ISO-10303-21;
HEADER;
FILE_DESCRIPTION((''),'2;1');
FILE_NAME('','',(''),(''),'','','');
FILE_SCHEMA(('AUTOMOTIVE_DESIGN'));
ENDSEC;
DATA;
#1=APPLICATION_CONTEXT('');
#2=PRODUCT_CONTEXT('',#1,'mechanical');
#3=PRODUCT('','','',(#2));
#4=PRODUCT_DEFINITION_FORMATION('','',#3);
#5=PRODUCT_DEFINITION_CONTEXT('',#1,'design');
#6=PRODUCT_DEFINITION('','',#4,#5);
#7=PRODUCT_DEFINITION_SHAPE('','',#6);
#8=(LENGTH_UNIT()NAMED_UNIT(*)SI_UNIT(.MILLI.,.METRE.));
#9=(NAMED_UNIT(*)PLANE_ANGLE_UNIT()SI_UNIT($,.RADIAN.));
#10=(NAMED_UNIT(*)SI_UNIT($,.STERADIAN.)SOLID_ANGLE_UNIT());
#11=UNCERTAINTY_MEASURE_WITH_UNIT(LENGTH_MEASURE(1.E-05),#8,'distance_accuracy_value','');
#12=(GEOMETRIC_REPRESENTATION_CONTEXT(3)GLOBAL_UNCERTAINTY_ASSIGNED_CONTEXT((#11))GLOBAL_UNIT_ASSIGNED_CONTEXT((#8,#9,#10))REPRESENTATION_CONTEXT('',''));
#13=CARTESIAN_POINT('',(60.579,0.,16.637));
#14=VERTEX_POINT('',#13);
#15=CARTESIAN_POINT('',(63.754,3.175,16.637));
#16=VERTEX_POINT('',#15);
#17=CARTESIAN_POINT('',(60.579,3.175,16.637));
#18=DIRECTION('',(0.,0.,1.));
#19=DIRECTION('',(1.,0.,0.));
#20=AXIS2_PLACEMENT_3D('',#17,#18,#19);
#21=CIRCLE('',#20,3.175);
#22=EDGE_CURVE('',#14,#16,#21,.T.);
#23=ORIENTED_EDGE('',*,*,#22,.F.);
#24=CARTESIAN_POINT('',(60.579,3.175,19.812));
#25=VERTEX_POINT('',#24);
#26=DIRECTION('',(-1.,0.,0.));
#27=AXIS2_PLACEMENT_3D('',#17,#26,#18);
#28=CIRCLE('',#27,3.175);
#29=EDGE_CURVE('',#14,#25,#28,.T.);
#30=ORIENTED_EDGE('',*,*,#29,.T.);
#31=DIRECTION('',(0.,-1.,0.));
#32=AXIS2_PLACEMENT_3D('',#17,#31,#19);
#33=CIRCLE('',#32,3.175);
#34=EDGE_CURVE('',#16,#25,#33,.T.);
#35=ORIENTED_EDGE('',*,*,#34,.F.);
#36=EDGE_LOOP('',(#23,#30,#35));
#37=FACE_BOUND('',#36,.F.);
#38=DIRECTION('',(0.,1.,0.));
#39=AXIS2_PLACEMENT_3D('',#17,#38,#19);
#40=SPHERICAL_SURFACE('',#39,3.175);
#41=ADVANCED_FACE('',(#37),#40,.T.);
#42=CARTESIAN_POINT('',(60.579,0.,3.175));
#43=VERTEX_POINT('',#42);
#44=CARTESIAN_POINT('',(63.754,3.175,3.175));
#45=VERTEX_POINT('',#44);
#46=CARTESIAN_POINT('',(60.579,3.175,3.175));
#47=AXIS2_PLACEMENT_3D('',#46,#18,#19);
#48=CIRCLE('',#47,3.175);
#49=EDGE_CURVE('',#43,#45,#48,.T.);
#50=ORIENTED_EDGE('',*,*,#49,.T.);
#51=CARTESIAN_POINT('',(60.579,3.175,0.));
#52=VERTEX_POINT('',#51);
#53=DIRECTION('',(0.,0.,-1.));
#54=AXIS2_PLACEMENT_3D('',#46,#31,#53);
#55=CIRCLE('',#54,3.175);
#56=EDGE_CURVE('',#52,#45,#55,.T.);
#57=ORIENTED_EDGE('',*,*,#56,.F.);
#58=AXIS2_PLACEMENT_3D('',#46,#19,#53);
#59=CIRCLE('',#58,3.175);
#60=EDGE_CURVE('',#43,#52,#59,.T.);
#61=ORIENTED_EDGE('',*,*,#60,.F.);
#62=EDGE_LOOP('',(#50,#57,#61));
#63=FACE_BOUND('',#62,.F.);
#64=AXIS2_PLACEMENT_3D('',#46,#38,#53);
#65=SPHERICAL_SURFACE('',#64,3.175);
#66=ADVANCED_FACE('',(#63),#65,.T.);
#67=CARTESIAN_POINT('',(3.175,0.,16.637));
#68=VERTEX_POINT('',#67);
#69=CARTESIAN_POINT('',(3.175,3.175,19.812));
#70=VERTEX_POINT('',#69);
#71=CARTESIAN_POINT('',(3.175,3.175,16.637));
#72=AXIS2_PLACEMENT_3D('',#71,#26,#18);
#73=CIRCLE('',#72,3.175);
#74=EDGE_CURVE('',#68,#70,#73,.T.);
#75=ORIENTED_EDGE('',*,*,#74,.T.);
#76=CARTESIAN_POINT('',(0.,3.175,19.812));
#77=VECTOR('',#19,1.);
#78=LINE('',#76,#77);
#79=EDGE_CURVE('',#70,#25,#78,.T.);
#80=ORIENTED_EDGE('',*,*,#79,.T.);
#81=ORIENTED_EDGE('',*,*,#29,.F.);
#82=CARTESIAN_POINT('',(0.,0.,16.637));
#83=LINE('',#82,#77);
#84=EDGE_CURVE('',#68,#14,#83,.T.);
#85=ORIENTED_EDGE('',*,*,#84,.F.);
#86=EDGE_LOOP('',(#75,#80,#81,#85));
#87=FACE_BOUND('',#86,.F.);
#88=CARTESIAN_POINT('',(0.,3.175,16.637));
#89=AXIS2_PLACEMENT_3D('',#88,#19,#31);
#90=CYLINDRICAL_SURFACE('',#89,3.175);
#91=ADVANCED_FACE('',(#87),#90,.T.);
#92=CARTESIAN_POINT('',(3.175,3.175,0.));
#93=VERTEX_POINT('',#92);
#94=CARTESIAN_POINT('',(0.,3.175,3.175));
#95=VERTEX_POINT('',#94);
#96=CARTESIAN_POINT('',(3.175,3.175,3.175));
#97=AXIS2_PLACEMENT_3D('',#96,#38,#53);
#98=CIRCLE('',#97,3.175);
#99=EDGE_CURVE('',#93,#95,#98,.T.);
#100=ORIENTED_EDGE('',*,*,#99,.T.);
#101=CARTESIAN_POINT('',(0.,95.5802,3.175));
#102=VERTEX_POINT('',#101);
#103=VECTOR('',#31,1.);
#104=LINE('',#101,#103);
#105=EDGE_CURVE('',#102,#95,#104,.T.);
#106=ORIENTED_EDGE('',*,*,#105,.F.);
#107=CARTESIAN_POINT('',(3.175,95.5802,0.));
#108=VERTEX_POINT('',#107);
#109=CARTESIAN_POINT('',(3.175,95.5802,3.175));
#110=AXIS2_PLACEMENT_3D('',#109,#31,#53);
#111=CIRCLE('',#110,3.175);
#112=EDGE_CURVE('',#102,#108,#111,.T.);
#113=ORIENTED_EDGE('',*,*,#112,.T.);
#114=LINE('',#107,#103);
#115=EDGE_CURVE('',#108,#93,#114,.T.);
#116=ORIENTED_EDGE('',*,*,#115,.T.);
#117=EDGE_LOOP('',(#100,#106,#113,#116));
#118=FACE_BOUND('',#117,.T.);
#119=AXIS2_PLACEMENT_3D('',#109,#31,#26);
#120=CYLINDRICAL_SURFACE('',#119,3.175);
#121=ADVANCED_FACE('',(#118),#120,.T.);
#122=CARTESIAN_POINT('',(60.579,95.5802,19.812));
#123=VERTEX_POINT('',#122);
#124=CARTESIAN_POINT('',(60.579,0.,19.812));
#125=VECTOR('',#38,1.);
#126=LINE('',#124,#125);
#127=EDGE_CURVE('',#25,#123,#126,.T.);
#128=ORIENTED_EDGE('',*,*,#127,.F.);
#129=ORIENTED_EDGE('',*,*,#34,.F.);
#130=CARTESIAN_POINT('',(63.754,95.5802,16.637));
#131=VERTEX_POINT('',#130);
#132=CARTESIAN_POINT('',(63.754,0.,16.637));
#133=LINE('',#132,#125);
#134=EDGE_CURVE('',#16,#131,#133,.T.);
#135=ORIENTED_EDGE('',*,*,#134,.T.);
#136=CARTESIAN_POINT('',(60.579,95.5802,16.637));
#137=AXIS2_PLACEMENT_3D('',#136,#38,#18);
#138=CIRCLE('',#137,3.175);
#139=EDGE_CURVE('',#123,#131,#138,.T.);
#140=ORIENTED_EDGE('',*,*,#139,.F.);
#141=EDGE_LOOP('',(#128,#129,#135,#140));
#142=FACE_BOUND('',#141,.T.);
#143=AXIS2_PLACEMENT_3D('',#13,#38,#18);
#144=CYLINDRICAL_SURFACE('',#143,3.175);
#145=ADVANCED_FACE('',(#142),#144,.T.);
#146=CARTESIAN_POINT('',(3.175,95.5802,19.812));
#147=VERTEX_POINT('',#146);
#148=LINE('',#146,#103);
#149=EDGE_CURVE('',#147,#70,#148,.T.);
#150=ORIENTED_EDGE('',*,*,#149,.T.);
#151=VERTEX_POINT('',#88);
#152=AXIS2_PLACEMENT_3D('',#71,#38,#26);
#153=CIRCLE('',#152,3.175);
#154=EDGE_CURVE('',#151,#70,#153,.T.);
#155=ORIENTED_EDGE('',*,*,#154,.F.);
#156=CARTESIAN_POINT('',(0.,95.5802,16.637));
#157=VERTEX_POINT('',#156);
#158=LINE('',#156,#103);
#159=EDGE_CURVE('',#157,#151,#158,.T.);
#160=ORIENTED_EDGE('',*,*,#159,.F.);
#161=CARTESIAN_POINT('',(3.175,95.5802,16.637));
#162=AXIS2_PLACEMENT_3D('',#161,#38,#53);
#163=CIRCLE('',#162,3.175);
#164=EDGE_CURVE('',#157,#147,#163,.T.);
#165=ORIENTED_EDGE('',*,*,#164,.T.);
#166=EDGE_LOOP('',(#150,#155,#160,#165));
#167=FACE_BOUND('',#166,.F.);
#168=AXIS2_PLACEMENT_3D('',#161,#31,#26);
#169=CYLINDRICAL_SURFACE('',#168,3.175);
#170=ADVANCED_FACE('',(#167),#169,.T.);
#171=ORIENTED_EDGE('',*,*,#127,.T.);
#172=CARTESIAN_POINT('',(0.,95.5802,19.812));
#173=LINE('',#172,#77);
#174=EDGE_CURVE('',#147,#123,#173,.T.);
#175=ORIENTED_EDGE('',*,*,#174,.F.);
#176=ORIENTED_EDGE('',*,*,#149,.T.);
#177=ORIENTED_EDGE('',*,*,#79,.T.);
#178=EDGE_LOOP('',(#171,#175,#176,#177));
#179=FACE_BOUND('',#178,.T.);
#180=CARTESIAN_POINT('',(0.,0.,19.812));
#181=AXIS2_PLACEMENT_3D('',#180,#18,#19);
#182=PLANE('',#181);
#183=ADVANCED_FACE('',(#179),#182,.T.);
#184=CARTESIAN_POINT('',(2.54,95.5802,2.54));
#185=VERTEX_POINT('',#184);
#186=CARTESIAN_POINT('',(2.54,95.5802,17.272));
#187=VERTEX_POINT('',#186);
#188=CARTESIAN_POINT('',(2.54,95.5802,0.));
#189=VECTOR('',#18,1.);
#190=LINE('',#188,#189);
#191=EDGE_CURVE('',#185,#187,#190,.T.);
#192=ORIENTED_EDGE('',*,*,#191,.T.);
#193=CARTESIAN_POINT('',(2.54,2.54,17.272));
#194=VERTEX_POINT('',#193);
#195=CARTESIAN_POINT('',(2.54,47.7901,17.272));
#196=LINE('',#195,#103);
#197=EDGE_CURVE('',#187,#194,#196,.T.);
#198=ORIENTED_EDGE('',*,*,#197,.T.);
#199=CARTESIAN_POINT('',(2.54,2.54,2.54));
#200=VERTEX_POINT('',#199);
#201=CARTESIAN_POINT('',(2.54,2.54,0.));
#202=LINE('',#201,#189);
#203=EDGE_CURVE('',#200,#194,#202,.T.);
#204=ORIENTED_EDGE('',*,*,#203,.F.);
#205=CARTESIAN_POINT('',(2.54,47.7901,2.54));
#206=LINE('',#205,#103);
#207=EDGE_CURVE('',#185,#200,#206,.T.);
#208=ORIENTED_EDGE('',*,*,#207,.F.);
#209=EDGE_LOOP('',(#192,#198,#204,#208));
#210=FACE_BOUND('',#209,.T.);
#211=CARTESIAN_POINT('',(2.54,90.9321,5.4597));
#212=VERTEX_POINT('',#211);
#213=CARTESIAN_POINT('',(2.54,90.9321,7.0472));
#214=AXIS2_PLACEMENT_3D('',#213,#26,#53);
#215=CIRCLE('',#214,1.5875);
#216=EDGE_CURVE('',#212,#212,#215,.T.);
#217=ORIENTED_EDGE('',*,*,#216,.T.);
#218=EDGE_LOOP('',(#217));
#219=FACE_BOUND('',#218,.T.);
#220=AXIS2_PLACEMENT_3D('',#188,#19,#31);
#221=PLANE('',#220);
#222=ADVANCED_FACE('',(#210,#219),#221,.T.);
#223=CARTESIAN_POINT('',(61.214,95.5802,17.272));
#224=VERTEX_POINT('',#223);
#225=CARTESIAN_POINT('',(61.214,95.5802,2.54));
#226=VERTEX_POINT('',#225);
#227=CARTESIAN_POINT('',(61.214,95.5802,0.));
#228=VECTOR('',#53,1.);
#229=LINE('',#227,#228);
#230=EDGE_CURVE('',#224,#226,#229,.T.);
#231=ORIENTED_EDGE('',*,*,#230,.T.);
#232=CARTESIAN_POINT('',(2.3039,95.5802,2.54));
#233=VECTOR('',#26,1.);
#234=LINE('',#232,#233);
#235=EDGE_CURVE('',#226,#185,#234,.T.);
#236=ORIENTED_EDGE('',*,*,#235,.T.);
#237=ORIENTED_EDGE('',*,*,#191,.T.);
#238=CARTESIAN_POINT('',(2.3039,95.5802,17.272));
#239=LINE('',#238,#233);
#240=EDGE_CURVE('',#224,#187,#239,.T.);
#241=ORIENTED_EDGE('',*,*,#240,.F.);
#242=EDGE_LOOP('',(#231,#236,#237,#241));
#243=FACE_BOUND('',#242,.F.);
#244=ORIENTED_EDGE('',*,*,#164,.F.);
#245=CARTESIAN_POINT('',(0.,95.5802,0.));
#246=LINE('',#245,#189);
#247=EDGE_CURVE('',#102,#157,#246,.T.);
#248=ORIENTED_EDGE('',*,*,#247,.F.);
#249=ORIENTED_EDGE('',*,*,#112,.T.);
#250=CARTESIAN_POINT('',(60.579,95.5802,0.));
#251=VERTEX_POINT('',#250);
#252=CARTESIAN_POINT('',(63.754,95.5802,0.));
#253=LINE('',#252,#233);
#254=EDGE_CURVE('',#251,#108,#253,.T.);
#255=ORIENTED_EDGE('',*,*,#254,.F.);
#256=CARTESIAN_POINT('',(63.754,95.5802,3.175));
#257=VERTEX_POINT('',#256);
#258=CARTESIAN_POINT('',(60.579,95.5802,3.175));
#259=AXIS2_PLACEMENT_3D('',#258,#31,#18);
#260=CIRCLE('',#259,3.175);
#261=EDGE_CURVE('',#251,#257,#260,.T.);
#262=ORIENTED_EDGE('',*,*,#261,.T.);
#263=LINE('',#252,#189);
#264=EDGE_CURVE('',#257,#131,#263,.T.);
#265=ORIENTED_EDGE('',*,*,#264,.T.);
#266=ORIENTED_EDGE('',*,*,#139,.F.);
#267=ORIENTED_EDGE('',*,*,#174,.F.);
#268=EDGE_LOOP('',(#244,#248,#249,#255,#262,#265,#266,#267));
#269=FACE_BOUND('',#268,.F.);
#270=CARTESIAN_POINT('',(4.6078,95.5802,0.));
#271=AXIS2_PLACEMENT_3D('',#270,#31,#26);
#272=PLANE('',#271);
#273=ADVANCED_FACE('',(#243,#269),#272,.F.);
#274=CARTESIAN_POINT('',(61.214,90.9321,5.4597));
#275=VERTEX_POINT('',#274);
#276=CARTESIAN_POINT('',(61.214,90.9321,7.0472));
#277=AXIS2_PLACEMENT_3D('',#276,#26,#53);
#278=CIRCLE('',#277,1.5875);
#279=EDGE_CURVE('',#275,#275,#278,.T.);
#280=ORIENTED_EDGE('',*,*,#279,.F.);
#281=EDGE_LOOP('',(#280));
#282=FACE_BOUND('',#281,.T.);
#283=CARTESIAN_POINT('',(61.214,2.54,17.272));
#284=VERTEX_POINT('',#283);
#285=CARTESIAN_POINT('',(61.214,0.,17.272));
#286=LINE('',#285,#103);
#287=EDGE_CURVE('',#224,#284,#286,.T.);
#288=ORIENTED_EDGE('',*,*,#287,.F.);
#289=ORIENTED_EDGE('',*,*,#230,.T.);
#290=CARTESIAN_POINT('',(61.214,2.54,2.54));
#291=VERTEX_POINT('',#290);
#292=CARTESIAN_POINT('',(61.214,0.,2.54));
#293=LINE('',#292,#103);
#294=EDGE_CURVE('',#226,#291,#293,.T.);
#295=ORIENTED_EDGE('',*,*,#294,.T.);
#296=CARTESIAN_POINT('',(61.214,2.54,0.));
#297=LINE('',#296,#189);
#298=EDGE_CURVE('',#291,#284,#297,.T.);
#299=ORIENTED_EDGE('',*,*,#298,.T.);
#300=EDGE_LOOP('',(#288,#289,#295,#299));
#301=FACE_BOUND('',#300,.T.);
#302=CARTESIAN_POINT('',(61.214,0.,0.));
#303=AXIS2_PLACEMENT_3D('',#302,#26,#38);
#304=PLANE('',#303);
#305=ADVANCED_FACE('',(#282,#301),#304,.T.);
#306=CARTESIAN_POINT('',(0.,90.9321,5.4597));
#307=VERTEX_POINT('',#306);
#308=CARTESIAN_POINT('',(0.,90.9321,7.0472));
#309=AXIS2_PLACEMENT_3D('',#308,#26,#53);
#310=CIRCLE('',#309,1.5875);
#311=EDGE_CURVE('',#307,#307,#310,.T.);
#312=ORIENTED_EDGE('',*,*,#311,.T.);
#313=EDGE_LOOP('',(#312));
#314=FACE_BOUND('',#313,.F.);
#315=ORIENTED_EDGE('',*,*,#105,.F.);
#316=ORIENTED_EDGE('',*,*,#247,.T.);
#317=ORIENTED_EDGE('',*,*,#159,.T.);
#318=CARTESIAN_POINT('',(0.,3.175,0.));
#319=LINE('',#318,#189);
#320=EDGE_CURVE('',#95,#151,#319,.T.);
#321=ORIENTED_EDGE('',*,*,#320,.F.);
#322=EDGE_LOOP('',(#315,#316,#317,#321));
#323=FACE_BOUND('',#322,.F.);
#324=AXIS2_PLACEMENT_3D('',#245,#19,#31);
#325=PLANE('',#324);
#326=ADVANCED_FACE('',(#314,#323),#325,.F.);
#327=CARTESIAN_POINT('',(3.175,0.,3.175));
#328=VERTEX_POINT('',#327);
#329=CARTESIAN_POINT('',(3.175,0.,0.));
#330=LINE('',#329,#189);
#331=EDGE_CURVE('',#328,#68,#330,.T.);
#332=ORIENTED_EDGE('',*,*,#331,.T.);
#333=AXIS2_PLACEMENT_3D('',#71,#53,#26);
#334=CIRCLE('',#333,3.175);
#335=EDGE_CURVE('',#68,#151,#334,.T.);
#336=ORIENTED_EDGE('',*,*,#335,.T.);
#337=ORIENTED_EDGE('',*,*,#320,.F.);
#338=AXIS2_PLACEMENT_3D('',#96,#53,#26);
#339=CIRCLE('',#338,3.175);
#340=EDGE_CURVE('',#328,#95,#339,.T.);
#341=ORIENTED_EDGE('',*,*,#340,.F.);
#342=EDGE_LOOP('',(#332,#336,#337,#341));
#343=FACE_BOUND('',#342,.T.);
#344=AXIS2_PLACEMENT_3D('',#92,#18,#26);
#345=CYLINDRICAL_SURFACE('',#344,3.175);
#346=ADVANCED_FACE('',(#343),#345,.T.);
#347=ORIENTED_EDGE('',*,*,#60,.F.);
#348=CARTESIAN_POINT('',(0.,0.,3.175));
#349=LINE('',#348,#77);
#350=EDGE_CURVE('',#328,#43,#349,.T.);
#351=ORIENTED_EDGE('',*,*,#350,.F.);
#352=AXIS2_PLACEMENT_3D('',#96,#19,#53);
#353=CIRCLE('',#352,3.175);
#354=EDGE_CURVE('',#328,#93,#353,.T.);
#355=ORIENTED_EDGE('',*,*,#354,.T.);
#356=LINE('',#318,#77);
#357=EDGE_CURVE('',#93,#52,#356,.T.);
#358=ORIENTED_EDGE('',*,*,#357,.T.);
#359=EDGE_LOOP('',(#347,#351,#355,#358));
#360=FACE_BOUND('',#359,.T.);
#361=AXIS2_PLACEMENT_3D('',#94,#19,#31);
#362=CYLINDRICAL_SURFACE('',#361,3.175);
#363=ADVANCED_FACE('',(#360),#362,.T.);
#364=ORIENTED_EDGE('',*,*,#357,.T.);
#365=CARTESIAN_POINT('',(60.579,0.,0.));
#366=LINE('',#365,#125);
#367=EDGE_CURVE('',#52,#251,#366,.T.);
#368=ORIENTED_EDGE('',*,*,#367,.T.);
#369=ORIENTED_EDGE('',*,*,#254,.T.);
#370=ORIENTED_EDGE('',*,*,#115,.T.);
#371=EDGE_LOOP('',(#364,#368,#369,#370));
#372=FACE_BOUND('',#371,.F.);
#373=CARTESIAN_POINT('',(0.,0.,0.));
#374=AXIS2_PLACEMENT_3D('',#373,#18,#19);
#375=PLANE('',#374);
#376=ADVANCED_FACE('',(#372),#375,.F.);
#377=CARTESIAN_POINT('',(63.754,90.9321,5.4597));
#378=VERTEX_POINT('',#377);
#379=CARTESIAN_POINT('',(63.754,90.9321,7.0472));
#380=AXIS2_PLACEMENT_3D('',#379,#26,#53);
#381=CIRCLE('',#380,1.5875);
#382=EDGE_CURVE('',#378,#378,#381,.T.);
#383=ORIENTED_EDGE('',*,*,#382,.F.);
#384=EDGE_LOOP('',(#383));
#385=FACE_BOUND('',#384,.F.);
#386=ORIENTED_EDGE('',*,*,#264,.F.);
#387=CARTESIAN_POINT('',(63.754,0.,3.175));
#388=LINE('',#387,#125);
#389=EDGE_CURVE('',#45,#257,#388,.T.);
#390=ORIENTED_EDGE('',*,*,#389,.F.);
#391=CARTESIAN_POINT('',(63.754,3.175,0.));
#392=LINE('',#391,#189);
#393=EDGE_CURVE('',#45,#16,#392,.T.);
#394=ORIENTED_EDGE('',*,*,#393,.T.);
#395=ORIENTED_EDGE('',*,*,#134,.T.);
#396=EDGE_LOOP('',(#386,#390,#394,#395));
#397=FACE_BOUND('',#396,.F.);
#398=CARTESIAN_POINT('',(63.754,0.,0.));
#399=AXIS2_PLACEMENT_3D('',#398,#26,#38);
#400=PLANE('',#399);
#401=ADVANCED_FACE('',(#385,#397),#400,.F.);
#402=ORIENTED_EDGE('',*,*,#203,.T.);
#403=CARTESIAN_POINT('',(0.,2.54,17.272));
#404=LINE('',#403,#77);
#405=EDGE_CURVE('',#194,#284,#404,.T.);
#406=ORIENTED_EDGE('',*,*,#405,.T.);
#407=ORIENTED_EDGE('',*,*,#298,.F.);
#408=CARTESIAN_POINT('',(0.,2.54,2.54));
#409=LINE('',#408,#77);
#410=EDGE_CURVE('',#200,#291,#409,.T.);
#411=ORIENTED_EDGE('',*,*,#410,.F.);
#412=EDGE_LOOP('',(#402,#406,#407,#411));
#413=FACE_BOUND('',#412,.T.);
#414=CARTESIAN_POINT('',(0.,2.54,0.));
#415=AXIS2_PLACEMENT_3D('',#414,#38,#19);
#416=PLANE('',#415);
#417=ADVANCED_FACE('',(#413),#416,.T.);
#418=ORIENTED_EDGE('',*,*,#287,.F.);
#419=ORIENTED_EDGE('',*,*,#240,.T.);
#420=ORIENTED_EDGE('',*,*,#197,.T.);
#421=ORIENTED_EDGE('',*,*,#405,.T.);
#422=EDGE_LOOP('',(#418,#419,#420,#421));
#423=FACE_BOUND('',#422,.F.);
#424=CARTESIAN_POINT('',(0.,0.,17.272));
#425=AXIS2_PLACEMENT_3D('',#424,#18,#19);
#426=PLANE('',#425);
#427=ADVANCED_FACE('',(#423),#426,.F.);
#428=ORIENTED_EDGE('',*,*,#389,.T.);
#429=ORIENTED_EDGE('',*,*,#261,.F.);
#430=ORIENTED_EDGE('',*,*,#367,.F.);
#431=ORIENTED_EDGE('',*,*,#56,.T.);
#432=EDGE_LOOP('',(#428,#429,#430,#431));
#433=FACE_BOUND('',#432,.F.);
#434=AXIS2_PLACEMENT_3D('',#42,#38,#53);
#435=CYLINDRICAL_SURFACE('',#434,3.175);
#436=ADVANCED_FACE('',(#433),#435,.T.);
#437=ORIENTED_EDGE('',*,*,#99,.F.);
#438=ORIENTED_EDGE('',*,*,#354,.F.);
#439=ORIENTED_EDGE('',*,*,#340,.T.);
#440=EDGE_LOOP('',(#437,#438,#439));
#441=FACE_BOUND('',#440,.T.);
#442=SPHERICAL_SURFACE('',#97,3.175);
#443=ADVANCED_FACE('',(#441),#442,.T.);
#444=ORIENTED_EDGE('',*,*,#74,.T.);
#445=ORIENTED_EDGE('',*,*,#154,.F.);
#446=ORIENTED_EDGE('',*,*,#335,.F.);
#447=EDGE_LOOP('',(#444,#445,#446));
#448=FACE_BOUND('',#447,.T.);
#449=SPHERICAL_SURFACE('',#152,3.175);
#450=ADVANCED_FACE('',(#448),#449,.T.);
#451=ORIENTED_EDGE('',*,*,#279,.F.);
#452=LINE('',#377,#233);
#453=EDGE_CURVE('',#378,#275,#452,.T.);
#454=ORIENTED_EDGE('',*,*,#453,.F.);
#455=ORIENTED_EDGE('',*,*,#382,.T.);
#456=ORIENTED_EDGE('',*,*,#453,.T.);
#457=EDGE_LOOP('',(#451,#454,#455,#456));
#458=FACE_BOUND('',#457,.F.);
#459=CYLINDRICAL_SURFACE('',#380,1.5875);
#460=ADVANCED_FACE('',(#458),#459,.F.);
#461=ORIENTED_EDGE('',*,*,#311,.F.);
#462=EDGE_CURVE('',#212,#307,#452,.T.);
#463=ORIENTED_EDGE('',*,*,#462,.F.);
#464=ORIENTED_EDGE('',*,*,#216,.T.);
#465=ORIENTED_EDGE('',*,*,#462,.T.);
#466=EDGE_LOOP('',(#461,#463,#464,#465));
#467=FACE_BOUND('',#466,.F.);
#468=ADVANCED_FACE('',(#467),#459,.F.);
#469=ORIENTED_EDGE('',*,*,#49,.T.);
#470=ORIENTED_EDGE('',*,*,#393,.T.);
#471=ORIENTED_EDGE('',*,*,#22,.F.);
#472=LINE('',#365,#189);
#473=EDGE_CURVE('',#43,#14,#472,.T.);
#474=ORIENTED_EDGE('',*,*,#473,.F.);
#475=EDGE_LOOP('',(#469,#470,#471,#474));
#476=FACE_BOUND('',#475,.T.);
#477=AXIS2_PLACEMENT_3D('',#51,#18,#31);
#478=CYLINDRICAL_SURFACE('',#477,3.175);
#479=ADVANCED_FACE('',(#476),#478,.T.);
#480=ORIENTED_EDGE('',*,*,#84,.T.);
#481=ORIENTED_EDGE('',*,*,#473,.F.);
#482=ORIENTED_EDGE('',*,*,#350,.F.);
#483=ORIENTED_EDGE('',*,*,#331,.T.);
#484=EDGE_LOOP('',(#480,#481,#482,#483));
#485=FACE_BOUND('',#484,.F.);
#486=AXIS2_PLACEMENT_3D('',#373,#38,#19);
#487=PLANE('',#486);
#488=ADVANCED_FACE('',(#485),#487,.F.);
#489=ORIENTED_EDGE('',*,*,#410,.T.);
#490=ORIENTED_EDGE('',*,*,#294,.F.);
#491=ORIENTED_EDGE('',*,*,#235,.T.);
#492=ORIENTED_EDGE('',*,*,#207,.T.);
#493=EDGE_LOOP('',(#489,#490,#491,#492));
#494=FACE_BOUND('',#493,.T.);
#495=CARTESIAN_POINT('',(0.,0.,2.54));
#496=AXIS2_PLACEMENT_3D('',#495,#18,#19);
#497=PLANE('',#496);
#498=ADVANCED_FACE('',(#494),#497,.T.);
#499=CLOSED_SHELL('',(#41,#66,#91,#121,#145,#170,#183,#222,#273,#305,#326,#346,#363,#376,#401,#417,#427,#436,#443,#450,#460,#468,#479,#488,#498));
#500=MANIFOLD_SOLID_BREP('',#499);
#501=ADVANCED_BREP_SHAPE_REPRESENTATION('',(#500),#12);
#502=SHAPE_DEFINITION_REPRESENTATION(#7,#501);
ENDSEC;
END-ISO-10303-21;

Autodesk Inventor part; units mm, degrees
ref_plane "YZ Plane" through (0, 0, 0) normal (1, 0, 0) x (0, 1, 0)
ref_plane "XZ Plane" through (0, 0, 0) normal (0, 1, 0) x (-1, 0, 0)
ref_plane "XY Plane" through (0, 0, 0) normal (0, 0, 1) x (1, 0, 0)
sketch "Sketch1" plane through (0, 0, 0) normal (0, 0, 1) x (1, 0, 0)
  line L0 (0, 0) -> (63.754, 0)
  line L1 (63.754, 0) -> (63.754, 95.5802)
  line L2 (63.754, 95.5802) -> (0, 95.5802)
  line L3 (0, 95.5802) -> (0, 0)
  line L4 (4.6078, 104.8429) -> (58.4558, 104.8429)
  line L5 (58.4558, 104.8429) -> (58.4558, 3.2429)
  line L6 (58.4558, 3.2429) -> (4.6078, 3.2429)
  line L7 (4.6078, 3.2429) -> (4.6078, 104.8429)
  dimension "d0" = 63.754
  dimension "d1" = 95.5802
  dimension "d2" = 53.848
  dimension "d3" = 101.6
extrude "Extrusion1" add sketch "Sketch1" along normal blind 19.812 contours L3 L2 L7 L6 L5 L1 L0 | L2 L5 L6 L7
shell "Shell1" thickness 2.54 removed faces 1 at (42.5027, 95.5802, 6.604)
fillet "Fillet1" radius 3.175 8 edges at (63.754, 47.7901, 19.812) (0, 47.7901, 19.812) (63.754, 47.7901, 0) (0, 47.7901, 0) (31.877, 0, 0) (63.754, 0, 9.906) (0, 0, 9.906) (31.877, 0, 19.812)
hole "Hole1" at (63.754, 90.9321, 7.0472) direction (-1, 0, 0) diameter 3.175 end through all
properties part number "Mk2"
